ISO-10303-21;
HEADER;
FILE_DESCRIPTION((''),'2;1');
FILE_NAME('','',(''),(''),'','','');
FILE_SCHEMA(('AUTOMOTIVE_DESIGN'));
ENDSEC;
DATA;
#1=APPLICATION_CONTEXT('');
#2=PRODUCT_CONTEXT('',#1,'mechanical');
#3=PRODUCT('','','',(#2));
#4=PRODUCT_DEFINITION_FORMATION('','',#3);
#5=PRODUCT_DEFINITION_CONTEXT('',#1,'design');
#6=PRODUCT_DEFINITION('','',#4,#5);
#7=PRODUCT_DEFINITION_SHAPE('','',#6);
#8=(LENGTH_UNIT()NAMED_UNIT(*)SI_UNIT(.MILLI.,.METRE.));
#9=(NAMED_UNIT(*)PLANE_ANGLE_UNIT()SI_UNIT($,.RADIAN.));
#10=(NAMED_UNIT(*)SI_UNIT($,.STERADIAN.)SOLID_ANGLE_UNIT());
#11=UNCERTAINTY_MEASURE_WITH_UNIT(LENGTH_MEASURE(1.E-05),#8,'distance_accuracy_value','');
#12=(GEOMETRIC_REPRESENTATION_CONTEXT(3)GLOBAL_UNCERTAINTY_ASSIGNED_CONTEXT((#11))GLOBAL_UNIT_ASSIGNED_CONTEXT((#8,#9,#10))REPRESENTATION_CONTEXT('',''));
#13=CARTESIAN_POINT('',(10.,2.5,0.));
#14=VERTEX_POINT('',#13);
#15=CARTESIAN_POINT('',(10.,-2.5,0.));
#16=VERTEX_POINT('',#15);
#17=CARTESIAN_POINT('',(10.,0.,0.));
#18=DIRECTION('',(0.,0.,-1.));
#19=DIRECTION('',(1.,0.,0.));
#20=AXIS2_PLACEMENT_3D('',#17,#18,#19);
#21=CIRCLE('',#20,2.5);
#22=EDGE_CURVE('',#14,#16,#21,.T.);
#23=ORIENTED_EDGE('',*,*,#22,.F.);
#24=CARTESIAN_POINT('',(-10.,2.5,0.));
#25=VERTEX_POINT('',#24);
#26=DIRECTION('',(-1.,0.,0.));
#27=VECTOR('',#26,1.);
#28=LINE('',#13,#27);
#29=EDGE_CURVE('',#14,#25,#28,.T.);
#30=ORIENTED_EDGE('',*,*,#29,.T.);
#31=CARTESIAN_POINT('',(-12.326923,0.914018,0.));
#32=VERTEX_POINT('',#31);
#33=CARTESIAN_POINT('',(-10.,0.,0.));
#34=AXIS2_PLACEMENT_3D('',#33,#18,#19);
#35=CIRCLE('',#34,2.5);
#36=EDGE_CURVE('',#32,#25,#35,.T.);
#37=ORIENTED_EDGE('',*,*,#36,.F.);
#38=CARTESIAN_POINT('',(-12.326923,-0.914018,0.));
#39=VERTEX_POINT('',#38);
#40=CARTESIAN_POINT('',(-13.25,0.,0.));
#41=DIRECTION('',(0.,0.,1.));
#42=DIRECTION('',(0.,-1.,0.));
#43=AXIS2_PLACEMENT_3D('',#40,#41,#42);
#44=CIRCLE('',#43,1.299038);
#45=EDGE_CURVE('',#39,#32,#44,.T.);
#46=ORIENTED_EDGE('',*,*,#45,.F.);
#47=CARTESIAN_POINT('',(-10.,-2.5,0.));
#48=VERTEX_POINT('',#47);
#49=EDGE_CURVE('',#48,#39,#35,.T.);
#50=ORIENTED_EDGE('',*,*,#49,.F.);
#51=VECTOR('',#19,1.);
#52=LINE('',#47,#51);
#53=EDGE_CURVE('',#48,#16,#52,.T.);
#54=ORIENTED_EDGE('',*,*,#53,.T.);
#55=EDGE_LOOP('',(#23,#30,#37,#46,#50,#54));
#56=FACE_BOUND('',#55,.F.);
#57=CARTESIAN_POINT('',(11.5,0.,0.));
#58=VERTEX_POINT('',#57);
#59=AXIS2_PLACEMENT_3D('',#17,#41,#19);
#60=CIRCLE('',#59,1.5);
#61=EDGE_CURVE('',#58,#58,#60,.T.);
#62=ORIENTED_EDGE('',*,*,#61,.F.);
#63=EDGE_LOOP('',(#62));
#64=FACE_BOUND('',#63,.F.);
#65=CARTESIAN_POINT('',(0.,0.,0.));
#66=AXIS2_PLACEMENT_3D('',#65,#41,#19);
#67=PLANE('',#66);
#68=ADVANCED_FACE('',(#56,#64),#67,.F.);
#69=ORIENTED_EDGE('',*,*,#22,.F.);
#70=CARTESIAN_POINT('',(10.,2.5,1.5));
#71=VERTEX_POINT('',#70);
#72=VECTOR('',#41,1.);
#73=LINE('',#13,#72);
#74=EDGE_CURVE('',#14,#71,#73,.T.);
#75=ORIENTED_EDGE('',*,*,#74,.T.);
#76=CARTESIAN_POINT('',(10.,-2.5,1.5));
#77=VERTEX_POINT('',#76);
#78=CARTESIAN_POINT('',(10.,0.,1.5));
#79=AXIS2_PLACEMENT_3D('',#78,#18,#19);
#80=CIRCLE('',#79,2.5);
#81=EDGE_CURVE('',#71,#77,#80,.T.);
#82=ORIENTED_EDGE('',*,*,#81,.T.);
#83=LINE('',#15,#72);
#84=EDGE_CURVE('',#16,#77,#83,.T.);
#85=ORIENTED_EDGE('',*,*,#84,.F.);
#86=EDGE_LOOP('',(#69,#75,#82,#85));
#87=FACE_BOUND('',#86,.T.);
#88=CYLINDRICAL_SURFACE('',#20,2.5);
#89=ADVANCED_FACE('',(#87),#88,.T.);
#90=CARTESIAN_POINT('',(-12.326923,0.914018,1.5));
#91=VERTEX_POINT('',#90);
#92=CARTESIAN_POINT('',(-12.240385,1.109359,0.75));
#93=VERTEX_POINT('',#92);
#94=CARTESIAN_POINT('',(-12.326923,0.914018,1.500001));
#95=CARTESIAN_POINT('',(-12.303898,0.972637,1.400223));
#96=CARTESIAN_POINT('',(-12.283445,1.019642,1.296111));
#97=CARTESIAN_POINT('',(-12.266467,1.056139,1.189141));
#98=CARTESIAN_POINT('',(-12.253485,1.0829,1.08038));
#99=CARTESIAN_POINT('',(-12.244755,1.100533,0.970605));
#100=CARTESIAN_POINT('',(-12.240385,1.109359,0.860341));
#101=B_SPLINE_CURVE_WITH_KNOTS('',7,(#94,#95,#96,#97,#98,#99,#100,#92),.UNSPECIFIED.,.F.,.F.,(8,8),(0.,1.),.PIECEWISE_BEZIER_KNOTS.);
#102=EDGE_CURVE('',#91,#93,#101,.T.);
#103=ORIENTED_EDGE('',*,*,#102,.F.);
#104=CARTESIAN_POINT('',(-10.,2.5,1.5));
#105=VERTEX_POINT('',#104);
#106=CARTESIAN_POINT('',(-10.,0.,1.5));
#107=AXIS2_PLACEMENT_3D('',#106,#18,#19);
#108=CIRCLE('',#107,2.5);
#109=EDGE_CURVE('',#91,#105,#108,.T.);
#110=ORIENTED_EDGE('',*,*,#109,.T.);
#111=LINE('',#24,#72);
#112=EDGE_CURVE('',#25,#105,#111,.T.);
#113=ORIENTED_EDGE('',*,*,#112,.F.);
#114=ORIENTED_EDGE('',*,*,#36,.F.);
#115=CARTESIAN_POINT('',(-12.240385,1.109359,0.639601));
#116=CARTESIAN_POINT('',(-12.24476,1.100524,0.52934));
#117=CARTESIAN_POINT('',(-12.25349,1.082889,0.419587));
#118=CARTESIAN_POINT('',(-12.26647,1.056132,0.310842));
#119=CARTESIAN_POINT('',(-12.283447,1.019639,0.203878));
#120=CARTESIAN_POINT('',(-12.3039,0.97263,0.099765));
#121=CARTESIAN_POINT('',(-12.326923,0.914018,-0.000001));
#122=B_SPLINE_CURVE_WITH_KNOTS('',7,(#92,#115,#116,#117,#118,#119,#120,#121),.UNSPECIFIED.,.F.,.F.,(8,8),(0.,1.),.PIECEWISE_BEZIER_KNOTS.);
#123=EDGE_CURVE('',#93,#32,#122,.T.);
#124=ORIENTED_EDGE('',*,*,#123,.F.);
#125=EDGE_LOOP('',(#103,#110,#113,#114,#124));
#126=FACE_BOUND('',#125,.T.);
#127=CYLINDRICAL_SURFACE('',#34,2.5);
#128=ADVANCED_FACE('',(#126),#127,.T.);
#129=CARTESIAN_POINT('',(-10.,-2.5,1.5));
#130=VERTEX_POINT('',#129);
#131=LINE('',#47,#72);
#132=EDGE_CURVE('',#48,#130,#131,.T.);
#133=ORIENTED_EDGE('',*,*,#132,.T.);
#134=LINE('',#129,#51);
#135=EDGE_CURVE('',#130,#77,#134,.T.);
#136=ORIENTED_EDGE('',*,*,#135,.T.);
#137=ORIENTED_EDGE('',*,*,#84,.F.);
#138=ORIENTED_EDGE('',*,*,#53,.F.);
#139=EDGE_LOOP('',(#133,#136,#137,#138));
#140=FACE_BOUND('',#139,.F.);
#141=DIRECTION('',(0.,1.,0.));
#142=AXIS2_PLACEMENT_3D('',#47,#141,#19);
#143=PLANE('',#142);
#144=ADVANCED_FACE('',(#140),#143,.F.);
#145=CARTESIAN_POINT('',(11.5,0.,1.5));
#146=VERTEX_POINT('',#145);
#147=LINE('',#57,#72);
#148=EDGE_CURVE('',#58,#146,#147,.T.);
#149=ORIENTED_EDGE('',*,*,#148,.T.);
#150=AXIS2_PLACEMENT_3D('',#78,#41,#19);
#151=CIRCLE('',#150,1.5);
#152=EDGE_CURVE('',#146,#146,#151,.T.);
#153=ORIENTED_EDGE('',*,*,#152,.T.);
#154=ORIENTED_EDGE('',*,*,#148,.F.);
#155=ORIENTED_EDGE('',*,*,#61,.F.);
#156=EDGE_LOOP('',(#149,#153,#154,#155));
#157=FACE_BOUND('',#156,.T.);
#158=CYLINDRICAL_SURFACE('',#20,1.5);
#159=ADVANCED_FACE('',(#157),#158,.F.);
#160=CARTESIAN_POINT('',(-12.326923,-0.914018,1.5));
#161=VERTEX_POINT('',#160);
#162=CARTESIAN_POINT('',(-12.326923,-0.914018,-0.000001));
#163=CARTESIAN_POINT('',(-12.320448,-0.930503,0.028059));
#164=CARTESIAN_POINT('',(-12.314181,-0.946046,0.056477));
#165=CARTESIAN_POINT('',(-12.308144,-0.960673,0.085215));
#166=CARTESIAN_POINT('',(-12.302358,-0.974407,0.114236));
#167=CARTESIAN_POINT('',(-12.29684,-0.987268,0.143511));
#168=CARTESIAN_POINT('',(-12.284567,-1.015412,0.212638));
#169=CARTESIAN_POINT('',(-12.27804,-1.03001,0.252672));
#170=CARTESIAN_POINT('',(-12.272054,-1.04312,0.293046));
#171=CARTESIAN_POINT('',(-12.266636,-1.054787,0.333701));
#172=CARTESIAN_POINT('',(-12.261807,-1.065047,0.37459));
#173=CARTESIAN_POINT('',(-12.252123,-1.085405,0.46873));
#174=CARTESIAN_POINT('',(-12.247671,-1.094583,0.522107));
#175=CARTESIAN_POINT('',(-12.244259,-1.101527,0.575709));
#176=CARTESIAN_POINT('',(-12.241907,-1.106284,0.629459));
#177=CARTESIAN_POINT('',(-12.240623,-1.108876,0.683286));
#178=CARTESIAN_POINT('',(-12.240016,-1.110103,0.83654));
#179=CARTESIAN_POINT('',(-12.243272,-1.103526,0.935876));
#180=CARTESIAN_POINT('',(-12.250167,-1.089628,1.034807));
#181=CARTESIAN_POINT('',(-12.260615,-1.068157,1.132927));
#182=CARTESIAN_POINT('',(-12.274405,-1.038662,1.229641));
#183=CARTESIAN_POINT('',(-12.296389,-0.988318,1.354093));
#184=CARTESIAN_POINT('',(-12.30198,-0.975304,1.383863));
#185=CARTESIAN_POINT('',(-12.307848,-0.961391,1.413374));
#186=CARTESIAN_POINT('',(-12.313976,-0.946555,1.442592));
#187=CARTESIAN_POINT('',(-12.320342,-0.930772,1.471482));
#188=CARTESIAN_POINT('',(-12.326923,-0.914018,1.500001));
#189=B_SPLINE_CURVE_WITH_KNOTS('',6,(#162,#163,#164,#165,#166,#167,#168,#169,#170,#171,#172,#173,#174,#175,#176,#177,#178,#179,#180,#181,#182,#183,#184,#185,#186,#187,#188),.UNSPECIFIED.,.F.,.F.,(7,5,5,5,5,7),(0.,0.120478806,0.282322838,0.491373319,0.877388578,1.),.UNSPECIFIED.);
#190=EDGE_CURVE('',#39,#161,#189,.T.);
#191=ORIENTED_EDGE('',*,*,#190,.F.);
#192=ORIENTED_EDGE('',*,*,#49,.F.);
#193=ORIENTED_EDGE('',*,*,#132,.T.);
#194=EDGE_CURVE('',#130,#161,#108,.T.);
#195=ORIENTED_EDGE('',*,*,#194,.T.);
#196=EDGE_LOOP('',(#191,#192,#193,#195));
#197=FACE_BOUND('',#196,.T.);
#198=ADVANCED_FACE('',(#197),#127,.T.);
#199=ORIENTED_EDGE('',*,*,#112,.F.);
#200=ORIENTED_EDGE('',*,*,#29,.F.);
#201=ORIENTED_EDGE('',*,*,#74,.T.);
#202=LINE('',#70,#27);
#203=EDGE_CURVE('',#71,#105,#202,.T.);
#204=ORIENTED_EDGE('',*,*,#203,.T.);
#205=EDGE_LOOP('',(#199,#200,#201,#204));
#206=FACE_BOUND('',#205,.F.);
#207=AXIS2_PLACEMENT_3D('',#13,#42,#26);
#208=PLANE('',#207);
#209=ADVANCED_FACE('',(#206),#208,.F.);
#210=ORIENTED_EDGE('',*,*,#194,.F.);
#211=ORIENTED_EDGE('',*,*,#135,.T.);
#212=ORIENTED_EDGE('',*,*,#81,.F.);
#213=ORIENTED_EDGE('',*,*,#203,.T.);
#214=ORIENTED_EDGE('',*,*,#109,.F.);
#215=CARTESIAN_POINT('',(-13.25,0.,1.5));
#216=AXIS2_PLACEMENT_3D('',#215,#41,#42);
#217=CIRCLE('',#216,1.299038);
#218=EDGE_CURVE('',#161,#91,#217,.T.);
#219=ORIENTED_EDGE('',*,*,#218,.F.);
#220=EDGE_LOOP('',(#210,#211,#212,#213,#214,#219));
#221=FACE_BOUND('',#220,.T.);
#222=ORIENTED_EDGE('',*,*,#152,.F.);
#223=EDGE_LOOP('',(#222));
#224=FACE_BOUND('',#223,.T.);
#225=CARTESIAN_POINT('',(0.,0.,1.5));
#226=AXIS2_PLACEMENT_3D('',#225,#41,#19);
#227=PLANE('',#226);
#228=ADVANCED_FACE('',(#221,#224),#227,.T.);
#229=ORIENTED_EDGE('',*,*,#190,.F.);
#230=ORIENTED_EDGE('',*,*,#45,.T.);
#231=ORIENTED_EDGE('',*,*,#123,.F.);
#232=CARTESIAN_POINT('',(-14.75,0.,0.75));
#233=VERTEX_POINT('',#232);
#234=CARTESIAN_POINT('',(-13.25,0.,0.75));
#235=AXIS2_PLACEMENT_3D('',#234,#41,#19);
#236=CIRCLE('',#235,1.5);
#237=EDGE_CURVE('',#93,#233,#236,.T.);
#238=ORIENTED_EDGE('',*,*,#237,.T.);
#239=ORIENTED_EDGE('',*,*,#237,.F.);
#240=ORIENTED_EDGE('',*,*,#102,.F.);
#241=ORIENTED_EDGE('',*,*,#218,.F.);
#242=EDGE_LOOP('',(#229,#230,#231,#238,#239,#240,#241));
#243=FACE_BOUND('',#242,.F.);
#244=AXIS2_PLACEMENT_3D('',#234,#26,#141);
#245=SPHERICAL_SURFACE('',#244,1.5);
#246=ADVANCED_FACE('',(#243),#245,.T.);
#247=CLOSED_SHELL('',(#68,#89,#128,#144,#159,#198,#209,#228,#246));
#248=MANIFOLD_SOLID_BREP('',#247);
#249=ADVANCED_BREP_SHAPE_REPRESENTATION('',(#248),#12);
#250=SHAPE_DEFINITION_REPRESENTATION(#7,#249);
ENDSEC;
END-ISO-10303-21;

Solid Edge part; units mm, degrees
sketch "Sketch1" plane through (0, 0, 0) normal (0, 0, 1) x (1, 0, 0)
  line L0 (10, 2.5) -> (-10, 2.5)
  line L1 (-10, -2.5) -> (10, -2.5)
  arc A0 (-10, -2.5) -> (-10, 2.5) centre (-10, 0) cw
  arc A1 (10, 2.5) -> (10, -2.5) centre (10, 0) cw
  circle A2 centre (10, 0) radius 1.5
extrude "Protrusion1" add sketch "Sketch1" along normal blind 1.5
sketch "Sketch2" plane through (0, 0, 0.75) normal (0, 0, -1) x (1, 0, 0)
  line L0 (-14.75, 0) -> (-11.75, 0)
  arc A0 (-11.75, 0) -> (-14.75, 0) centre (-13.25, 0) cw
revolve "RevolvedProtrusion1" add sketch "Sketch2" angle 360 about axis through (-14.75, 0, 0.75) along (1, 0, 0)
